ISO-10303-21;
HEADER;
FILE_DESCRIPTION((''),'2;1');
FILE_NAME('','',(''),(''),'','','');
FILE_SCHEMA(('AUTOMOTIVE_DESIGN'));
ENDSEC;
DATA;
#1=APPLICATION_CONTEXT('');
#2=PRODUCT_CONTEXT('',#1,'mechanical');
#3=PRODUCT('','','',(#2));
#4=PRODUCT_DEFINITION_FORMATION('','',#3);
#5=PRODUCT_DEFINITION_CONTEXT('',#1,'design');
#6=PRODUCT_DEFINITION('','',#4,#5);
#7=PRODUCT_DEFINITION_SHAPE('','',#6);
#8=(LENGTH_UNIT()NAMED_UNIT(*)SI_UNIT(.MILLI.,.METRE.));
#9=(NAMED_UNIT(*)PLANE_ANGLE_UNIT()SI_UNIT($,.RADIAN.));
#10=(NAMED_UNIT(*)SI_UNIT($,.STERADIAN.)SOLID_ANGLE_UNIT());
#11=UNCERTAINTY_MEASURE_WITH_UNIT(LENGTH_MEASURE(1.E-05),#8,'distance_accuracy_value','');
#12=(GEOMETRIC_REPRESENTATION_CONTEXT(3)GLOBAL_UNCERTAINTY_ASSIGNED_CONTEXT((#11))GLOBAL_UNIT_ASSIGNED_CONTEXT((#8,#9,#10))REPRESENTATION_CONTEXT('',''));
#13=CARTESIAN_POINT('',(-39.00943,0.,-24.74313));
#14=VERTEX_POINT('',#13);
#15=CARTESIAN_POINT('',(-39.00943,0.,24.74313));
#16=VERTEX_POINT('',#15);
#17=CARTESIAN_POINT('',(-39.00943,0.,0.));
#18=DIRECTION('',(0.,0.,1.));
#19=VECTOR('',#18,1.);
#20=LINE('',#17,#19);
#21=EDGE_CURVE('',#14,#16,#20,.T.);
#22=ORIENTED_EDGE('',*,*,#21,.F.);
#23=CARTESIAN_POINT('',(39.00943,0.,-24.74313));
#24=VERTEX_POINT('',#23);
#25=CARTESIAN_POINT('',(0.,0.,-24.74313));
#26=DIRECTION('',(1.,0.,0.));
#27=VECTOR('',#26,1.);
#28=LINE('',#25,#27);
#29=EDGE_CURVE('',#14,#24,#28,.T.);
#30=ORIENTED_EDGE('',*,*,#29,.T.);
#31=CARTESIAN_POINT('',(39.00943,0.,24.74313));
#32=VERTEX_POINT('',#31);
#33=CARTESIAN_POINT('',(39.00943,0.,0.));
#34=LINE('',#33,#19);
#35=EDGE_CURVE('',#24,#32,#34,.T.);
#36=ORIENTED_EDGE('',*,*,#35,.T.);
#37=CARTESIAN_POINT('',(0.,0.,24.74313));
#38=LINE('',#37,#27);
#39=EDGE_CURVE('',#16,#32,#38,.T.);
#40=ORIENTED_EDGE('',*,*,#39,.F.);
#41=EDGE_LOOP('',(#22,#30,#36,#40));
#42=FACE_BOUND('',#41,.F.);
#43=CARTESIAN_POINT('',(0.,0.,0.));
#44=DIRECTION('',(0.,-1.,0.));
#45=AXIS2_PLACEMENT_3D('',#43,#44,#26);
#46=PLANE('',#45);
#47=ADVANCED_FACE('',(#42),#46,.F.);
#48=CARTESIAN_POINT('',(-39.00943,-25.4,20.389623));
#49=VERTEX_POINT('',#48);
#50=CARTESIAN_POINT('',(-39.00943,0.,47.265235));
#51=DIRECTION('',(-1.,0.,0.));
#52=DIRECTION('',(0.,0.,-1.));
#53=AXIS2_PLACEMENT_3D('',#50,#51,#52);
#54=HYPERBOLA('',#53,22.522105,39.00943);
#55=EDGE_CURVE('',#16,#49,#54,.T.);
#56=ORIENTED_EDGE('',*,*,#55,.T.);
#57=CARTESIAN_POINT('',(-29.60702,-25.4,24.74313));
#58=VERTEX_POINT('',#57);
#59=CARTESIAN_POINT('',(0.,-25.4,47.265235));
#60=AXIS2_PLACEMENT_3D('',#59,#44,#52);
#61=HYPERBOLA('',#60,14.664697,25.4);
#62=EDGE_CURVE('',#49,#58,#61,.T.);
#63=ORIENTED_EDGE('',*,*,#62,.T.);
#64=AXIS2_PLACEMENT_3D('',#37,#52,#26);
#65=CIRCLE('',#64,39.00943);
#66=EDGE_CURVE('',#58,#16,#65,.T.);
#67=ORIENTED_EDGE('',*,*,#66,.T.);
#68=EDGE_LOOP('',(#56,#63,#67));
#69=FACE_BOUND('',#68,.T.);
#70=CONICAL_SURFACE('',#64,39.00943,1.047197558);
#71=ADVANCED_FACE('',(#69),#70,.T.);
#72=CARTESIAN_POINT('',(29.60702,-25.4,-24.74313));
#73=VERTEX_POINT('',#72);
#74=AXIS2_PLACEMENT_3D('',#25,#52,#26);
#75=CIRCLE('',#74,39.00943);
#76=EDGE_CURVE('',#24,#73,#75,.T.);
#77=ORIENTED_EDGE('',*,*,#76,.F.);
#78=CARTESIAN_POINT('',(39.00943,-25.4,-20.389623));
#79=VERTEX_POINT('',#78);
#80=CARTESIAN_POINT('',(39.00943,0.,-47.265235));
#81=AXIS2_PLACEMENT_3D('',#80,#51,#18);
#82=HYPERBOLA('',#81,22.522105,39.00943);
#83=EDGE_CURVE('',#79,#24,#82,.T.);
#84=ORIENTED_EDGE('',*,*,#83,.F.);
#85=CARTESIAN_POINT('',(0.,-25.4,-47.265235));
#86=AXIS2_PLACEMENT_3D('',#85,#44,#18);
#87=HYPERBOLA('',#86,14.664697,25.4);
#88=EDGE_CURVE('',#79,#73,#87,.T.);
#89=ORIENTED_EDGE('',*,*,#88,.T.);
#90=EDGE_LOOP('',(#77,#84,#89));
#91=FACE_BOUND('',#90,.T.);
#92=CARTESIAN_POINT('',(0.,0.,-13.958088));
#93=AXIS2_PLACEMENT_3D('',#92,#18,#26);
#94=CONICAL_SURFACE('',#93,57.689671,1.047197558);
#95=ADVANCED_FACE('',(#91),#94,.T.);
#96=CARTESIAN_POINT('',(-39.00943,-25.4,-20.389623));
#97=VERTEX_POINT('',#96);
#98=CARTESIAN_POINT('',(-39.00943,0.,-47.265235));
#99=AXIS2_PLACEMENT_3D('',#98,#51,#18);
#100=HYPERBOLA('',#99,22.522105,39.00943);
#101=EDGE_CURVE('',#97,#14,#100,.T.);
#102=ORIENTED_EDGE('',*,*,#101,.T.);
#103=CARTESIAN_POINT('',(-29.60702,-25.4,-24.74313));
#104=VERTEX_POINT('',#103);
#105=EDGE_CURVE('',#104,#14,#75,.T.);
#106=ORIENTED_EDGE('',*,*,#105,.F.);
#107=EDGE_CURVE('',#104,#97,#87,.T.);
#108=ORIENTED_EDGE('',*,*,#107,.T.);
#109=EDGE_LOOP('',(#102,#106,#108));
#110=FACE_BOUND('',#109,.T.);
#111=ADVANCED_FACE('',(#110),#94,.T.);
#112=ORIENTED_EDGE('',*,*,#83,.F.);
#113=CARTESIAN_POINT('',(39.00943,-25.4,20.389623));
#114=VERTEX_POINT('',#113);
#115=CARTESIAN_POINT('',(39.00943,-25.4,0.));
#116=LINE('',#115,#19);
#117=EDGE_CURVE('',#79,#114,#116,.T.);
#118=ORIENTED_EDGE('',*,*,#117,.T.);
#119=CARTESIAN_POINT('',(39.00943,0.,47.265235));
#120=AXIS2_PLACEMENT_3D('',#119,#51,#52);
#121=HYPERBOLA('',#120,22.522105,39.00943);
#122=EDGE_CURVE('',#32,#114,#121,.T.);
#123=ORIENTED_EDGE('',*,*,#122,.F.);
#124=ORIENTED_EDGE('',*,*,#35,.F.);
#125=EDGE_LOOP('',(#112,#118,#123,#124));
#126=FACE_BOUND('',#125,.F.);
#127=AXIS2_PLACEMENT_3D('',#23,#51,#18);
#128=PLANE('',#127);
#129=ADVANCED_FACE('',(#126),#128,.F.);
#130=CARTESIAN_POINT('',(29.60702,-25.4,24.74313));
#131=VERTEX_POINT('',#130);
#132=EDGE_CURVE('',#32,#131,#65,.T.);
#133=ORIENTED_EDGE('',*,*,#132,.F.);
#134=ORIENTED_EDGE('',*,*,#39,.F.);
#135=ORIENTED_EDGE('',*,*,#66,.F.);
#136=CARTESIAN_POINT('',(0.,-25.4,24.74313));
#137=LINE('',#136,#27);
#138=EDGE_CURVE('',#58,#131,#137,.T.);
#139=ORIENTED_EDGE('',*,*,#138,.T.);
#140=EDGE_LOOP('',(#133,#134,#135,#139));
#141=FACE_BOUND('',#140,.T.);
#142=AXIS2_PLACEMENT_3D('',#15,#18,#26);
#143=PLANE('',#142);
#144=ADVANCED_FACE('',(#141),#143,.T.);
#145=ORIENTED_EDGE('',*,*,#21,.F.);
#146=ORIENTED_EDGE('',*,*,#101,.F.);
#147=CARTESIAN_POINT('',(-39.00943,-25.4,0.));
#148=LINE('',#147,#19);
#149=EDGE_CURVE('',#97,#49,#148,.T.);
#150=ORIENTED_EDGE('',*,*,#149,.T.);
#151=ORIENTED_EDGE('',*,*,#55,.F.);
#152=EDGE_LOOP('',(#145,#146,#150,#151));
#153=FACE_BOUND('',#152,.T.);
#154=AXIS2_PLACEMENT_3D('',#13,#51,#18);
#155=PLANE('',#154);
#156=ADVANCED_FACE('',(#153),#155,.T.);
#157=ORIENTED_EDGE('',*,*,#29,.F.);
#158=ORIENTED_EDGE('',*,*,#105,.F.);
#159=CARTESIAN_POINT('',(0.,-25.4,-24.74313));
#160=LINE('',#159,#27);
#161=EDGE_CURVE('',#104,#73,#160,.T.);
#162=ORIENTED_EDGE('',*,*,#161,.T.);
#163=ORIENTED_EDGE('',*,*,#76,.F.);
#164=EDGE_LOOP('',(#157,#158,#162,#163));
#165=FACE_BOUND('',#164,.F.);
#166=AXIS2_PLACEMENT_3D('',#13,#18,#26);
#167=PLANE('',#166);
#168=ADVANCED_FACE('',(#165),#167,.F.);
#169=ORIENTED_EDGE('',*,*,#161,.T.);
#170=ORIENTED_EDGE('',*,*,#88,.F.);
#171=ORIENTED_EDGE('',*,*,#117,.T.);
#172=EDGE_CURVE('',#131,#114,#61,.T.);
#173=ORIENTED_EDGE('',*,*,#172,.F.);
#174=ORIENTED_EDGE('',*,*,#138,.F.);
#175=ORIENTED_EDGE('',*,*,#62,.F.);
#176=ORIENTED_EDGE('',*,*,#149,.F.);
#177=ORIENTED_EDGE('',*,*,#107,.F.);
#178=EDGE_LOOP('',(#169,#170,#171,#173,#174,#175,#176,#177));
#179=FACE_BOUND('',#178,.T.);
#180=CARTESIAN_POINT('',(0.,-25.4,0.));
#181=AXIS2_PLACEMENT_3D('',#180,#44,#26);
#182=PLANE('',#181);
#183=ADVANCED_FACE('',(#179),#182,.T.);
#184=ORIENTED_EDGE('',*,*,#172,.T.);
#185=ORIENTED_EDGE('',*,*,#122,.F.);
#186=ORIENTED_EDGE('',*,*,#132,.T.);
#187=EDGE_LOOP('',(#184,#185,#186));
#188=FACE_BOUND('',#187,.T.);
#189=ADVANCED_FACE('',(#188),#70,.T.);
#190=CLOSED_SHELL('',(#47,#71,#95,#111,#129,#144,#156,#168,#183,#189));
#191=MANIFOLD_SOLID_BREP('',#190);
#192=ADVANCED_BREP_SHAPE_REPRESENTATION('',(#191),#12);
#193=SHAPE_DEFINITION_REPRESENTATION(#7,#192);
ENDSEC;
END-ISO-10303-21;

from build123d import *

# Parameters (mm, degrees)
F0_W     = 78.01886
F0_H     = 49.48626
F1_DEPTH = 25.4


with BuildPart() as f1:
    # F0 (on Front) → F1 (new body)
    with BuildSketch(Plane.XZ):
        Rectangle(F0_W, F0_H)
    extrude(amount=F1_DEPTH)

    # F2 (on Front) → F3 (revolve, cut)
    with BuildSketch(Plane.XZ):
        Polygon((57.689671, 24.74313), (39.00943, 24.74313), (57.689671, 13.958088), align=None)
        Polygon((57.689671, -13.958088), (39.00943, -24.74313), (57.689671, -24.74313), align=None)
    revolve(axis=Axis((0, 0, 0), (0, 0, -1)), mode=Mode.SUBTRACT)


solid = f1.part
